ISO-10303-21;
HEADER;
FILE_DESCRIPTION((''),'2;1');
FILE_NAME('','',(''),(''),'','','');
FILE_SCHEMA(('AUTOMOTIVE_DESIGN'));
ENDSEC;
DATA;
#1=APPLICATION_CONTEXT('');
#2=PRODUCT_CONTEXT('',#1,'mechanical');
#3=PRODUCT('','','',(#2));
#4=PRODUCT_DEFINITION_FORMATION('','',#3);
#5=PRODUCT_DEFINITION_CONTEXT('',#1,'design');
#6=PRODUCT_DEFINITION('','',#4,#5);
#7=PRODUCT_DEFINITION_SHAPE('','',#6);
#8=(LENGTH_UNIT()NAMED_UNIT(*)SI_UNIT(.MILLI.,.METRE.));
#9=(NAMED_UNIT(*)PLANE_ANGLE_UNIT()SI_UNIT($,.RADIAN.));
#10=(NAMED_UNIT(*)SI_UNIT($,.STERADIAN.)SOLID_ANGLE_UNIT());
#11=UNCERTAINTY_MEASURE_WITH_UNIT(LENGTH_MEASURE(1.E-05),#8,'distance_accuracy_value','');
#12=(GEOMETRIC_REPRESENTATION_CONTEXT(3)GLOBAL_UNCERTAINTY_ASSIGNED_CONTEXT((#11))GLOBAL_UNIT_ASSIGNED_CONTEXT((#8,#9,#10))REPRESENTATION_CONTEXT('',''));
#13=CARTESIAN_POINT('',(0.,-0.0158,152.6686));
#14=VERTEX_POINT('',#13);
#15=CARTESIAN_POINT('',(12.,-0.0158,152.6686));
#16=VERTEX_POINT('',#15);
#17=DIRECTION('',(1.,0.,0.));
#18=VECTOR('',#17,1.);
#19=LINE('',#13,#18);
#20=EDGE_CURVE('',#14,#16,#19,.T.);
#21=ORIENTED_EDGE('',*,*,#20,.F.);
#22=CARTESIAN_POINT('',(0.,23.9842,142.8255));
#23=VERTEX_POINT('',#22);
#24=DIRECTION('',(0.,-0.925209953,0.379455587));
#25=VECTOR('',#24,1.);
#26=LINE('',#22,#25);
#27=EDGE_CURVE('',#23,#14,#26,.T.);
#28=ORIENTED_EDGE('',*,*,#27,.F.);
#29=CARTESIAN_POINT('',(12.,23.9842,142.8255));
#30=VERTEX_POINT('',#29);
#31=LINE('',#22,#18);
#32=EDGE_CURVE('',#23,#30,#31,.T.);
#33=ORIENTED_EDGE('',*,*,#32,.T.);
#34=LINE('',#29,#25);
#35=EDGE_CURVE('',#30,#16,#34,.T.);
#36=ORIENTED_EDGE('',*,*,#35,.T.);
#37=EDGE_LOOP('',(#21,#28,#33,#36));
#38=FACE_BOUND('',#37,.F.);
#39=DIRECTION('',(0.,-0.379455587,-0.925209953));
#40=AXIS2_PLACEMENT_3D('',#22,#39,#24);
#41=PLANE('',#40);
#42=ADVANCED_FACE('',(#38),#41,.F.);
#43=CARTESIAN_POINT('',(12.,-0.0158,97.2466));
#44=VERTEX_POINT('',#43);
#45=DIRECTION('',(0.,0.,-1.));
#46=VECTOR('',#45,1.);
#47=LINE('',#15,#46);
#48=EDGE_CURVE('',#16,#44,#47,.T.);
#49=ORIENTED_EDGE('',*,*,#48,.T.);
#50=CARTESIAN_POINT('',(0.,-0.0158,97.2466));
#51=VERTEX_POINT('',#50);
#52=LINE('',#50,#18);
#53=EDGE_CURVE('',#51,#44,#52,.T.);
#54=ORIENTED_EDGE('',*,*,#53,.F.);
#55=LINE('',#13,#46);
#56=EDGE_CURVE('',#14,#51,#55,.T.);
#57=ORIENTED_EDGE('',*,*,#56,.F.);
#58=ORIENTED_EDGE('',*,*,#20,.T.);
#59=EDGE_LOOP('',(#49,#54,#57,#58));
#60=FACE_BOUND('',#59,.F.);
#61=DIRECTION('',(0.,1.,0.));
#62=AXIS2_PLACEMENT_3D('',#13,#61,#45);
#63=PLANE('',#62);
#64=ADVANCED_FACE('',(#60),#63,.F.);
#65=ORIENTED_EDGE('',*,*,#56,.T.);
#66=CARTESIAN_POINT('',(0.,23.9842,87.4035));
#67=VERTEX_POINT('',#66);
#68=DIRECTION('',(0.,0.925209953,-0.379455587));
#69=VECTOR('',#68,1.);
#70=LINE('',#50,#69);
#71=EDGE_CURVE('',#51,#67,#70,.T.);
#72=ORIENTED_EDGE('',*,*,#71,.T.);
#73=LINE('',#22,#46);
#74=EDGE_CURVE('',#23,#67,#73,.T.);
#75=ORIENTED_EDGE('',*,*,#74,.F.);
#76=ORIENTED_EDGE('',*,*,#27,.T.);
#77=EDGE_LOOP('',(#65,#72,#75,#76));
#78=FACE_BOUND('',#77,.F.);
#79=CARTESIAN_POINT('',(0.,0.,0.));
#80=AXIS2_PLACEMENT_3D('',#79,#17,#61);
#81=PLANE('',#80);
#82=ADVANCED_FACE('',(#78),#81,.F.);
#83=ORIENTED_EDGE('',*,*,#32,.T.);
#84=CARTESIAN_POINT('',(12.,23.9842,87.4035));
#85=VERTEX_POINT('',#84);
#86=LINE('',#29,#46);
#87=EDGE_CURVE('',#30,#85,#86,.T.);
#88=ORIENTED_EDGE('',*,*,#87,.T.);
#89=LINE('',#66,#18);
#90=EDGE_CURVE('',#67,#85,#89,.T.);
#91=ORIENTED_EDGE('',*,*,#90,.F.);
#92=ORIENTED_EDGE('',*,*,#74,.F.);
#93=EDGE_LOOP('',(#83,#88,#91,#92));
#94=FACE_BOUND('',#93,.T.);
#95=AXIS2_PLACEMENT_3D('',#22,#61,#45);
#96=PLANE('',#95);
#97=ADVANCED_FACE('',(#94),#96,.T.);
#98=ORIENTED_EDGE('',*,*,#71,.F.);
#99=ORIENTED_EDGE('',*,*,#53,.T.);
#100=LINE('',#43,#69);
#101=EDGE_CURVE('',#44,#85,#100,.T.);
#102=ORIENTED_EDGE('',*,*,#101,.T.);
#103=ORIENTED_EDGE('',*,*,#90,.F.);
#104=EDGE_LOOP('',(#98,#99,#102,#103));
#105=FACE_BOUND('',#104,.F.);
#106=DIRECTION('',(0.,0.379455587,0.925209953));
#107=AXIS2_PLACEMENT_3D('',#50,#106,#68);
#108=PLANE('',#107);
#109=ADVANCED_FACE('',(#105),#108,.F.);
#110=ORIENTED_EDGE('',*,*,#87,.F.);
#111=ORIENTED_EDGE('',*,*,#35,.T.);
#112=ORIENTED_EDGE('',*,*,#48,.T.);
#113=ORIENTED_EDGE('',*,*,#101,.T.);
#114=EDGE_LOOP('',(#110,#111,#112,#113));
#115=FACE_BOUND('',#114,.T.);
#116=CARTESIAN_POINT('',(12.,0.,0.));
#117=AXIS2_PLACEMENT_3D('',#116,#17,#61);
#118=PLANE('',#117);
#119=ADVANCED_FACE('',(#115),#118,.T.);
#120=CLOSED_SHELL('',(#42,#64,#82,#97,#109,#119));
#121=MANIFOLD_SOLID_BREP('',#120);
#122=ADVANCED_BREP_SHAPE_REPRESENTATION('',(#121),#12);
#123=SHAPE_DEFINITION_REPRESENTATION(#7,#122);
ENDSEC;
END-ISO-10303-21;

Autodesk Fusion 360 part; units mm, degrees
sketch "Name Sign Support" plane through (0, 0, 0) normal (1, 0, 0) x (0, 1, 0) in component "Name Sign Support (1)"
  line L0 (-0.0158, 97.2466) -> (23.9842, 87.4035)
  line L1 (23.9842, 142.8255) -> (-0.0158, 152.6686)
  line L2 (-0.0158, 152.6686) -> (-0.0158, 97.2466)
  line L3 (23.9842, 142.8255) -> (23.9842, 87.4035)
  dimension "d18" = 67.7
  dimension "d8" = 24
  dimension "d9" = 55.422
extrude "Extrude2" add sketch "Name Sign Support" along normal blind 12 in component "Name Sign Support (1)"
component "Name Sign Support Right" placed x (1, 0, 0) y (0, 1, 0) z (0, 0, 1) at (0, 0, 0)
component "Name Sign Support (1)" placed x (1, 0, 0) y (0, 1, 0) z (0, 0, 1) at (0, 0, 0) in component "Name Sign Support Right"
equation "d19 = pineThickness"
equation "pineThickness = 12 mm" comment "Thickness of the pine planks"
